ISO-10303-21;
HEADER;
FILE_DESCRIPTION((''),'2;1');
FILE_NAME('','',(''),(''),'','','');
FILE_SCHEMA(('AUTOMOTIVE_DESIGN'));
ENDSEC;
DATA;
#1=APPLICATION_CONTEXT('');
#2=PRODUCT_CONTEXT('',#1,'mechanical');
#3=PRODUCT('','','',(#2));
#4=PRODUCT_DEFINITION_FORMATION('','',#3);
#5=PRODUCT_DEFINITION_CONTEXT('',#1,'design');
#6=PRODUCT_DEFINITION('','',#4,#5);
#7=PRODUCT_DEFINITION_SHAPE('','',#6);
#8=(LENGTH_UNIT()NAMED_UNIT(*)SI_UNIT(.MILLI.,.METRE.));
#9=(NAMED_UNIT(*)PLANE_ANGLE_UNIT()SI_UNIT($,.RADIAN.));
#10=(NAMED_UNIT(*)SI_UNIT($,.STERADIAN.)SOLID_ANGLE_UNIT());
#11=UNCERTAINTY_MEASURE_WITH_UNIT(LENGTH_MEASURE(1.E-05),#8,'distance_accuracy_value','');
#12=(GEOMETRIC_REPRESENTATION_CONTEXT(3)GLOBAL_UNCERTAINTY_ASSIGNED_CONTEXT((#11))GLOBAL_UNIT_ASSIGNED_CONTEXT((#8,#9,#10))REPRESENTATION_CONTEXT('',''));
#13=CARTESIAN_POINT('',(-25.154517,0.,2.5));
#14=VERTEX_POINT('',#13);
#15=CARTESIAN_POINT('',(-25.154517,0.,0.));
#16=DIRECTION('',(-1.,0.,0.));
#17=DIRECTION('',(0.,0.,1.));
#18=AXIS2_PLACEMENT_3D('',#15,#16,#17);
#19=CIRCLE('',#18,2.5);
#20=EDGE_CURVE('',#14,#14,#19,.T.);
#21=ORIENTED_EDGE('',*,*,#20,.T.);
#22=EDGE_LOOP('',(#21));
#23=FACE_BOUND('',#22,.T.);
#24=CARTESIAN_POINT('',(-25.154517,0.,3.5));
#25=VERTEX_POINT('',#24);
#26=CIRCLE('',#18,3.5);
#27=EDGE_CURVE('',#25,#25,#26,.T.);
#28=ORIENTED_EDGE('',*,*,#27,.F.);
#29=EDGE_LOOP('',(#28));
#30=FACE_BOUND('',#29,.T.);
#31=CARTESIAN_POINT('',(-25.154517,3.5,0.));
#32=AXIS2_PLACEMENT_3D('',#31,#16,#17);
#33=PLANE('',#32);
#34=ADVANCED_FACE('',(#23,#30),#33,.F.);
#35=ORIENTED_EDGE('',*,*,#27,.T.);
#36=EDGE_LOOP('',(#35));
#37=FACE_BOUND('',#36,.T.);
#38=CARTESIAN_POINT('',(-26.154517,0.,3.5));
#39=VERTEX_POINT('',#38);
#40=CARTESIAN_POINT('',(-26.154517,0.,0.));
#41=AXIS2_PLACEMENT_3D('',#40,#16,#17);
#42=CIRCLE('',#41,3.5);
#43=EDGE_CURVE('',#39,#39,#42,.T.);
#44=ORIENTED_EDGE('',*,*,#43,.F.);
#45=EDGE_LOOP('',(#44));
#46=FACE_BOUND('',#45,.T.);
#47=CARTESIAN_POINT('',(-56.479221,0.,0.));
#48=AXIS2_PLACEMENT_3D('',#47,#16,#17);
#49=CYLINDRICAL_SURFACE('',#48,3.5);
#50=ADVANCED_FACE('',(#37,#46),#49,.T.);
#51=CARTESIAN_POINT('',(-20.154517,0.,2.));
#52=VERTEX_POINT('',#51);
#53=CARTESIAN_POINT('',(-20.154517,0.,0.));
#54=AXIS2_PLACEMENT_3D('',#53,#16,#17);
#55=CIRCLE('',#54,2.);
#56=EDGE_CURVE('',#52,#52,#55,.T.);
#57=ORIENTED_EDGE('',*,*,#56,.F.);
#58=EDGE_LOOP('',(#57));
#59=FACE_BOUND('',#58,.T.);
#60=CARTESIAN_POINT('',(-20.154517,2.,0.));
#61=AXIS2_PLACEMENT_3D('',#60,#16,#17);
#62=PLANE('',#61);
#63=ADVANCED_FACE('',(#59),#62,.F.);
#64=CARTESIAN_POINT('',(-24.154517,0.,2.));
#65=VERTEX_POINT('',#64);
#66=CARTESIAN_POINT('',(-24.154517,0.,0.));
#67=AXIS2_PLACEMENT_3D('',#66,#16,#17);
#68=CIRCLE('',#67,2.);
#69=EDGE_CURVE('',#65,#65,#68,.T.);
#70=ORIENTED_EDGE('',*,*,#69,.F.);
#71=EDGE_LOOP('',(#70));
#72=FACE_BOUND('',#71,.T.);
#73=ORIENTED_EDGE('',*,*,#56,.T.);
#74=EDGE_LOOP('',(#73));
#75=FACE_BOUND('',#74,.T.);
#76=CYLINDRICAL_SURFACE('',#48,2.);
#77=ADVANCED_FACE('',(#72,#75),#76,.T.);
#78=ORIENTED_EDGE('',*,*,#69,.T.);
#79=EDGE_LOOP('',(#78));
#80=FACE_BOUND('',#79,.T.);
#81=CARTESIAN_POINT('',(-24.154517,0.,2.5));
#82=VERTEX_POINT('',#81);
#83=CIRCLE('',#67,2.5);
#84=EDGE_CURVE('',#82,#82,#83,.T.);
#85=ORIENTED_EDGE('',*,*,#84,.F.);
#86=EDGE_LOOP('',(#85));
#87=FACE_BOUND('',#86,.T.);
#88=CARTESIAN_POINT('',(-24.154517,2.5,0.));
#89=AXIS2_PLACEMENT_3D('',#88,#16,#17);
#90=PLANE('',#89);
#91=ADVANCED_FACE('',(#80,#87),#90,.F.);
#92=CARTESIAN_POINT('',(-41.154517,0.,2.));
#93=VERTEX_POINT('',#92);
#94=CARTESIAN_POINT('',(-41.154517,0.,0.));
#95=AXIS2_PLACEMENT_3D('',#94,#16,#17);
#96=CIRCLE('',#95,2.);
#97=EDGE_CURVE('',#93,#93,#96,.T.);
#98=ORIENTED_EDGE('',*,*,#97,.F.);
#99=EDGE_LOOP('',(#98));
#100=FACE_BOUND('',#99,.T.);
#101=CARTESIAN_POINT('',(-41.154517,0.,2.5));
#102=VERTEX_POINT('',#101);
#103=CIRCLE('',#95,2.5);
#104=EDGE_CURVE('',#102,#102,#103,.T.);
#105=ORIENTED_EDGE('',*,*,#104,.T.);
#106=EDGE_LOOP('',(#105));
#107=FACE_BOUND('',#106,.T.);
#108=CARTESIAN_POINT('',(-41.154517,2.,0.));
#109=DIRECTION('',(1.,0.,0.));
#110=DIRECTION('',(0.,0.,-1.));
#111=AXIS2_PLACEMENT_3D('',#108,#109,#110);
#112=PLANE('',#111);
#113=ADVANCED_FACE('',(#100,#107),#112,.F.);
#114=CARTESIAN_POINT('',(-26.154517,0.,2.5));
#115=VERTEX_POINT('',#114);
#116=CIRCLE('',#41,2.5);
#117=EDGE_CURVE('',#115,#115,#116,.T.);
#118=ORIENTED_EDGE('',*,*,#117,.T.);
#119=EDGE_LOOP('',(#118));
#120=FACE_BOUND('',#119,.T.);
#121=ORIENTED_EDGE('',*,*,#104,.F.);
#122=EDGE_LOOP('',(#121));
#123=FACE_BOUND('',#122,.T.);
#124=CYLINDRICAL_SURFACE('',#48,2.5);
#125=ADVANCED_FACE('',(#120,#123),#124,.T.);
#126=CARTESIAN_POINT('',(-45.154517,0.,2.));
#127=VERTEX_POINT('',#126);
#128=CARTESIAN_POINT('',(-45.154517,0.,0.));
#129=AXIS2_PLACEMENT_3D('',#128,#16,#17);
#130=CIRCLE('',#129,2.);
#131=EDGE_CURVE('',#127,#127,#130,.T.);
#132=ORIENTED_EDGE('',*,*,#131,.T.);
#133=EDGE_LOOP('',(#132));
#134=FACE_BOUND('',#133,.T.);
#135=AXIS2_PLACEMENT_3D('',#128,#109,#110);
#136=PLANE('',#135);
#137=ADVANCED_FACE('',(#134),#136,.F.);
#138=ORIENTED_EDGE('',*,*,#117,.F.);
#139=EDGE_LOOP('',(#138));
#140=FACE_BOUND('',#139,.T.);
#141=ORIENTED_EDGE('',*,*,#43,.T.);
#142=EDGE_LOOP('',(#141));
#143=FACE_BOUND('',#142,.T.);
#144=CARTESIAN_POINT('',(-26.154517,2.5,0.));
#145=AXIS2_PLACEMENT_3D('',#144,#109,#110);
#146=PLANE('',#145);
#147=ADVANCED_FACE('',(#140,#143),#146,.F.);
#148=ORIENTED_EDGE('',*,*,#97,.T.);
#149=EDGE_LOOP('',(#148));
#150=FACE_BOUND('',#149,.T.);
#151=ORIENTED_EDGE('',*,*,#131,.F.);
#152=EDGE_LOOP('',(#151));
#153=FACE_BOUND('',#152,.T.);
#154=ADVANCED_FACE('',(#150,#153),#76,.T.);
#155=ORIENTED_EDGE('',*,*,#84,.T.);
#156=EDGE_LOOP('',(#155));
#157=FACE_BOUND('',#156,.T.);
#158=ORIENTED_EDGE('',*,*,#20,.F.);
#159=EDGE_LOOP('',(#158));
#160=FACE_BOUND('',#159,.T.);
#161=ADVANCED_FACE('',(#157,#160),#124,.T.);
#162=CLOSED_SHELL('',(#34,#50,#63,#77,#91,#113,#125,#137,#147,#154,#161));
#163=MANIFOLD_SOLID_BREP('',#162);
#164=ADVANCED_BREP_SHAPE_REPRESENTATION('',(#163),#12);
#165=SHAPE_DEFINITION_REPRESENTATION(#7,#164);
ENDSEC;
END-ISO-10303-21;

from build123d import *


with BuildPart() as part:
    # 草图1 → 旋转1 (revolve)
    with BuildSketch(Plane.XY):
        Polygon((-45.15451692, 0), (-45.15451692, 2), (-41.15451692, 2), (-41.15451692, 2.5), (-26.15451692, 2.5), (-26.15451692, 3.5), (-25.15451692, 3.5), (-25.15451692, 2.5), (-24.15451692, 2.5), (-24.15451692, 2), (-20.15451692, 2), (-20.15451692, 0), align=None)
    revolve(axis=Axis((-56.479220812, 0, 0), (1, 0, 0)))


solid = part.part
